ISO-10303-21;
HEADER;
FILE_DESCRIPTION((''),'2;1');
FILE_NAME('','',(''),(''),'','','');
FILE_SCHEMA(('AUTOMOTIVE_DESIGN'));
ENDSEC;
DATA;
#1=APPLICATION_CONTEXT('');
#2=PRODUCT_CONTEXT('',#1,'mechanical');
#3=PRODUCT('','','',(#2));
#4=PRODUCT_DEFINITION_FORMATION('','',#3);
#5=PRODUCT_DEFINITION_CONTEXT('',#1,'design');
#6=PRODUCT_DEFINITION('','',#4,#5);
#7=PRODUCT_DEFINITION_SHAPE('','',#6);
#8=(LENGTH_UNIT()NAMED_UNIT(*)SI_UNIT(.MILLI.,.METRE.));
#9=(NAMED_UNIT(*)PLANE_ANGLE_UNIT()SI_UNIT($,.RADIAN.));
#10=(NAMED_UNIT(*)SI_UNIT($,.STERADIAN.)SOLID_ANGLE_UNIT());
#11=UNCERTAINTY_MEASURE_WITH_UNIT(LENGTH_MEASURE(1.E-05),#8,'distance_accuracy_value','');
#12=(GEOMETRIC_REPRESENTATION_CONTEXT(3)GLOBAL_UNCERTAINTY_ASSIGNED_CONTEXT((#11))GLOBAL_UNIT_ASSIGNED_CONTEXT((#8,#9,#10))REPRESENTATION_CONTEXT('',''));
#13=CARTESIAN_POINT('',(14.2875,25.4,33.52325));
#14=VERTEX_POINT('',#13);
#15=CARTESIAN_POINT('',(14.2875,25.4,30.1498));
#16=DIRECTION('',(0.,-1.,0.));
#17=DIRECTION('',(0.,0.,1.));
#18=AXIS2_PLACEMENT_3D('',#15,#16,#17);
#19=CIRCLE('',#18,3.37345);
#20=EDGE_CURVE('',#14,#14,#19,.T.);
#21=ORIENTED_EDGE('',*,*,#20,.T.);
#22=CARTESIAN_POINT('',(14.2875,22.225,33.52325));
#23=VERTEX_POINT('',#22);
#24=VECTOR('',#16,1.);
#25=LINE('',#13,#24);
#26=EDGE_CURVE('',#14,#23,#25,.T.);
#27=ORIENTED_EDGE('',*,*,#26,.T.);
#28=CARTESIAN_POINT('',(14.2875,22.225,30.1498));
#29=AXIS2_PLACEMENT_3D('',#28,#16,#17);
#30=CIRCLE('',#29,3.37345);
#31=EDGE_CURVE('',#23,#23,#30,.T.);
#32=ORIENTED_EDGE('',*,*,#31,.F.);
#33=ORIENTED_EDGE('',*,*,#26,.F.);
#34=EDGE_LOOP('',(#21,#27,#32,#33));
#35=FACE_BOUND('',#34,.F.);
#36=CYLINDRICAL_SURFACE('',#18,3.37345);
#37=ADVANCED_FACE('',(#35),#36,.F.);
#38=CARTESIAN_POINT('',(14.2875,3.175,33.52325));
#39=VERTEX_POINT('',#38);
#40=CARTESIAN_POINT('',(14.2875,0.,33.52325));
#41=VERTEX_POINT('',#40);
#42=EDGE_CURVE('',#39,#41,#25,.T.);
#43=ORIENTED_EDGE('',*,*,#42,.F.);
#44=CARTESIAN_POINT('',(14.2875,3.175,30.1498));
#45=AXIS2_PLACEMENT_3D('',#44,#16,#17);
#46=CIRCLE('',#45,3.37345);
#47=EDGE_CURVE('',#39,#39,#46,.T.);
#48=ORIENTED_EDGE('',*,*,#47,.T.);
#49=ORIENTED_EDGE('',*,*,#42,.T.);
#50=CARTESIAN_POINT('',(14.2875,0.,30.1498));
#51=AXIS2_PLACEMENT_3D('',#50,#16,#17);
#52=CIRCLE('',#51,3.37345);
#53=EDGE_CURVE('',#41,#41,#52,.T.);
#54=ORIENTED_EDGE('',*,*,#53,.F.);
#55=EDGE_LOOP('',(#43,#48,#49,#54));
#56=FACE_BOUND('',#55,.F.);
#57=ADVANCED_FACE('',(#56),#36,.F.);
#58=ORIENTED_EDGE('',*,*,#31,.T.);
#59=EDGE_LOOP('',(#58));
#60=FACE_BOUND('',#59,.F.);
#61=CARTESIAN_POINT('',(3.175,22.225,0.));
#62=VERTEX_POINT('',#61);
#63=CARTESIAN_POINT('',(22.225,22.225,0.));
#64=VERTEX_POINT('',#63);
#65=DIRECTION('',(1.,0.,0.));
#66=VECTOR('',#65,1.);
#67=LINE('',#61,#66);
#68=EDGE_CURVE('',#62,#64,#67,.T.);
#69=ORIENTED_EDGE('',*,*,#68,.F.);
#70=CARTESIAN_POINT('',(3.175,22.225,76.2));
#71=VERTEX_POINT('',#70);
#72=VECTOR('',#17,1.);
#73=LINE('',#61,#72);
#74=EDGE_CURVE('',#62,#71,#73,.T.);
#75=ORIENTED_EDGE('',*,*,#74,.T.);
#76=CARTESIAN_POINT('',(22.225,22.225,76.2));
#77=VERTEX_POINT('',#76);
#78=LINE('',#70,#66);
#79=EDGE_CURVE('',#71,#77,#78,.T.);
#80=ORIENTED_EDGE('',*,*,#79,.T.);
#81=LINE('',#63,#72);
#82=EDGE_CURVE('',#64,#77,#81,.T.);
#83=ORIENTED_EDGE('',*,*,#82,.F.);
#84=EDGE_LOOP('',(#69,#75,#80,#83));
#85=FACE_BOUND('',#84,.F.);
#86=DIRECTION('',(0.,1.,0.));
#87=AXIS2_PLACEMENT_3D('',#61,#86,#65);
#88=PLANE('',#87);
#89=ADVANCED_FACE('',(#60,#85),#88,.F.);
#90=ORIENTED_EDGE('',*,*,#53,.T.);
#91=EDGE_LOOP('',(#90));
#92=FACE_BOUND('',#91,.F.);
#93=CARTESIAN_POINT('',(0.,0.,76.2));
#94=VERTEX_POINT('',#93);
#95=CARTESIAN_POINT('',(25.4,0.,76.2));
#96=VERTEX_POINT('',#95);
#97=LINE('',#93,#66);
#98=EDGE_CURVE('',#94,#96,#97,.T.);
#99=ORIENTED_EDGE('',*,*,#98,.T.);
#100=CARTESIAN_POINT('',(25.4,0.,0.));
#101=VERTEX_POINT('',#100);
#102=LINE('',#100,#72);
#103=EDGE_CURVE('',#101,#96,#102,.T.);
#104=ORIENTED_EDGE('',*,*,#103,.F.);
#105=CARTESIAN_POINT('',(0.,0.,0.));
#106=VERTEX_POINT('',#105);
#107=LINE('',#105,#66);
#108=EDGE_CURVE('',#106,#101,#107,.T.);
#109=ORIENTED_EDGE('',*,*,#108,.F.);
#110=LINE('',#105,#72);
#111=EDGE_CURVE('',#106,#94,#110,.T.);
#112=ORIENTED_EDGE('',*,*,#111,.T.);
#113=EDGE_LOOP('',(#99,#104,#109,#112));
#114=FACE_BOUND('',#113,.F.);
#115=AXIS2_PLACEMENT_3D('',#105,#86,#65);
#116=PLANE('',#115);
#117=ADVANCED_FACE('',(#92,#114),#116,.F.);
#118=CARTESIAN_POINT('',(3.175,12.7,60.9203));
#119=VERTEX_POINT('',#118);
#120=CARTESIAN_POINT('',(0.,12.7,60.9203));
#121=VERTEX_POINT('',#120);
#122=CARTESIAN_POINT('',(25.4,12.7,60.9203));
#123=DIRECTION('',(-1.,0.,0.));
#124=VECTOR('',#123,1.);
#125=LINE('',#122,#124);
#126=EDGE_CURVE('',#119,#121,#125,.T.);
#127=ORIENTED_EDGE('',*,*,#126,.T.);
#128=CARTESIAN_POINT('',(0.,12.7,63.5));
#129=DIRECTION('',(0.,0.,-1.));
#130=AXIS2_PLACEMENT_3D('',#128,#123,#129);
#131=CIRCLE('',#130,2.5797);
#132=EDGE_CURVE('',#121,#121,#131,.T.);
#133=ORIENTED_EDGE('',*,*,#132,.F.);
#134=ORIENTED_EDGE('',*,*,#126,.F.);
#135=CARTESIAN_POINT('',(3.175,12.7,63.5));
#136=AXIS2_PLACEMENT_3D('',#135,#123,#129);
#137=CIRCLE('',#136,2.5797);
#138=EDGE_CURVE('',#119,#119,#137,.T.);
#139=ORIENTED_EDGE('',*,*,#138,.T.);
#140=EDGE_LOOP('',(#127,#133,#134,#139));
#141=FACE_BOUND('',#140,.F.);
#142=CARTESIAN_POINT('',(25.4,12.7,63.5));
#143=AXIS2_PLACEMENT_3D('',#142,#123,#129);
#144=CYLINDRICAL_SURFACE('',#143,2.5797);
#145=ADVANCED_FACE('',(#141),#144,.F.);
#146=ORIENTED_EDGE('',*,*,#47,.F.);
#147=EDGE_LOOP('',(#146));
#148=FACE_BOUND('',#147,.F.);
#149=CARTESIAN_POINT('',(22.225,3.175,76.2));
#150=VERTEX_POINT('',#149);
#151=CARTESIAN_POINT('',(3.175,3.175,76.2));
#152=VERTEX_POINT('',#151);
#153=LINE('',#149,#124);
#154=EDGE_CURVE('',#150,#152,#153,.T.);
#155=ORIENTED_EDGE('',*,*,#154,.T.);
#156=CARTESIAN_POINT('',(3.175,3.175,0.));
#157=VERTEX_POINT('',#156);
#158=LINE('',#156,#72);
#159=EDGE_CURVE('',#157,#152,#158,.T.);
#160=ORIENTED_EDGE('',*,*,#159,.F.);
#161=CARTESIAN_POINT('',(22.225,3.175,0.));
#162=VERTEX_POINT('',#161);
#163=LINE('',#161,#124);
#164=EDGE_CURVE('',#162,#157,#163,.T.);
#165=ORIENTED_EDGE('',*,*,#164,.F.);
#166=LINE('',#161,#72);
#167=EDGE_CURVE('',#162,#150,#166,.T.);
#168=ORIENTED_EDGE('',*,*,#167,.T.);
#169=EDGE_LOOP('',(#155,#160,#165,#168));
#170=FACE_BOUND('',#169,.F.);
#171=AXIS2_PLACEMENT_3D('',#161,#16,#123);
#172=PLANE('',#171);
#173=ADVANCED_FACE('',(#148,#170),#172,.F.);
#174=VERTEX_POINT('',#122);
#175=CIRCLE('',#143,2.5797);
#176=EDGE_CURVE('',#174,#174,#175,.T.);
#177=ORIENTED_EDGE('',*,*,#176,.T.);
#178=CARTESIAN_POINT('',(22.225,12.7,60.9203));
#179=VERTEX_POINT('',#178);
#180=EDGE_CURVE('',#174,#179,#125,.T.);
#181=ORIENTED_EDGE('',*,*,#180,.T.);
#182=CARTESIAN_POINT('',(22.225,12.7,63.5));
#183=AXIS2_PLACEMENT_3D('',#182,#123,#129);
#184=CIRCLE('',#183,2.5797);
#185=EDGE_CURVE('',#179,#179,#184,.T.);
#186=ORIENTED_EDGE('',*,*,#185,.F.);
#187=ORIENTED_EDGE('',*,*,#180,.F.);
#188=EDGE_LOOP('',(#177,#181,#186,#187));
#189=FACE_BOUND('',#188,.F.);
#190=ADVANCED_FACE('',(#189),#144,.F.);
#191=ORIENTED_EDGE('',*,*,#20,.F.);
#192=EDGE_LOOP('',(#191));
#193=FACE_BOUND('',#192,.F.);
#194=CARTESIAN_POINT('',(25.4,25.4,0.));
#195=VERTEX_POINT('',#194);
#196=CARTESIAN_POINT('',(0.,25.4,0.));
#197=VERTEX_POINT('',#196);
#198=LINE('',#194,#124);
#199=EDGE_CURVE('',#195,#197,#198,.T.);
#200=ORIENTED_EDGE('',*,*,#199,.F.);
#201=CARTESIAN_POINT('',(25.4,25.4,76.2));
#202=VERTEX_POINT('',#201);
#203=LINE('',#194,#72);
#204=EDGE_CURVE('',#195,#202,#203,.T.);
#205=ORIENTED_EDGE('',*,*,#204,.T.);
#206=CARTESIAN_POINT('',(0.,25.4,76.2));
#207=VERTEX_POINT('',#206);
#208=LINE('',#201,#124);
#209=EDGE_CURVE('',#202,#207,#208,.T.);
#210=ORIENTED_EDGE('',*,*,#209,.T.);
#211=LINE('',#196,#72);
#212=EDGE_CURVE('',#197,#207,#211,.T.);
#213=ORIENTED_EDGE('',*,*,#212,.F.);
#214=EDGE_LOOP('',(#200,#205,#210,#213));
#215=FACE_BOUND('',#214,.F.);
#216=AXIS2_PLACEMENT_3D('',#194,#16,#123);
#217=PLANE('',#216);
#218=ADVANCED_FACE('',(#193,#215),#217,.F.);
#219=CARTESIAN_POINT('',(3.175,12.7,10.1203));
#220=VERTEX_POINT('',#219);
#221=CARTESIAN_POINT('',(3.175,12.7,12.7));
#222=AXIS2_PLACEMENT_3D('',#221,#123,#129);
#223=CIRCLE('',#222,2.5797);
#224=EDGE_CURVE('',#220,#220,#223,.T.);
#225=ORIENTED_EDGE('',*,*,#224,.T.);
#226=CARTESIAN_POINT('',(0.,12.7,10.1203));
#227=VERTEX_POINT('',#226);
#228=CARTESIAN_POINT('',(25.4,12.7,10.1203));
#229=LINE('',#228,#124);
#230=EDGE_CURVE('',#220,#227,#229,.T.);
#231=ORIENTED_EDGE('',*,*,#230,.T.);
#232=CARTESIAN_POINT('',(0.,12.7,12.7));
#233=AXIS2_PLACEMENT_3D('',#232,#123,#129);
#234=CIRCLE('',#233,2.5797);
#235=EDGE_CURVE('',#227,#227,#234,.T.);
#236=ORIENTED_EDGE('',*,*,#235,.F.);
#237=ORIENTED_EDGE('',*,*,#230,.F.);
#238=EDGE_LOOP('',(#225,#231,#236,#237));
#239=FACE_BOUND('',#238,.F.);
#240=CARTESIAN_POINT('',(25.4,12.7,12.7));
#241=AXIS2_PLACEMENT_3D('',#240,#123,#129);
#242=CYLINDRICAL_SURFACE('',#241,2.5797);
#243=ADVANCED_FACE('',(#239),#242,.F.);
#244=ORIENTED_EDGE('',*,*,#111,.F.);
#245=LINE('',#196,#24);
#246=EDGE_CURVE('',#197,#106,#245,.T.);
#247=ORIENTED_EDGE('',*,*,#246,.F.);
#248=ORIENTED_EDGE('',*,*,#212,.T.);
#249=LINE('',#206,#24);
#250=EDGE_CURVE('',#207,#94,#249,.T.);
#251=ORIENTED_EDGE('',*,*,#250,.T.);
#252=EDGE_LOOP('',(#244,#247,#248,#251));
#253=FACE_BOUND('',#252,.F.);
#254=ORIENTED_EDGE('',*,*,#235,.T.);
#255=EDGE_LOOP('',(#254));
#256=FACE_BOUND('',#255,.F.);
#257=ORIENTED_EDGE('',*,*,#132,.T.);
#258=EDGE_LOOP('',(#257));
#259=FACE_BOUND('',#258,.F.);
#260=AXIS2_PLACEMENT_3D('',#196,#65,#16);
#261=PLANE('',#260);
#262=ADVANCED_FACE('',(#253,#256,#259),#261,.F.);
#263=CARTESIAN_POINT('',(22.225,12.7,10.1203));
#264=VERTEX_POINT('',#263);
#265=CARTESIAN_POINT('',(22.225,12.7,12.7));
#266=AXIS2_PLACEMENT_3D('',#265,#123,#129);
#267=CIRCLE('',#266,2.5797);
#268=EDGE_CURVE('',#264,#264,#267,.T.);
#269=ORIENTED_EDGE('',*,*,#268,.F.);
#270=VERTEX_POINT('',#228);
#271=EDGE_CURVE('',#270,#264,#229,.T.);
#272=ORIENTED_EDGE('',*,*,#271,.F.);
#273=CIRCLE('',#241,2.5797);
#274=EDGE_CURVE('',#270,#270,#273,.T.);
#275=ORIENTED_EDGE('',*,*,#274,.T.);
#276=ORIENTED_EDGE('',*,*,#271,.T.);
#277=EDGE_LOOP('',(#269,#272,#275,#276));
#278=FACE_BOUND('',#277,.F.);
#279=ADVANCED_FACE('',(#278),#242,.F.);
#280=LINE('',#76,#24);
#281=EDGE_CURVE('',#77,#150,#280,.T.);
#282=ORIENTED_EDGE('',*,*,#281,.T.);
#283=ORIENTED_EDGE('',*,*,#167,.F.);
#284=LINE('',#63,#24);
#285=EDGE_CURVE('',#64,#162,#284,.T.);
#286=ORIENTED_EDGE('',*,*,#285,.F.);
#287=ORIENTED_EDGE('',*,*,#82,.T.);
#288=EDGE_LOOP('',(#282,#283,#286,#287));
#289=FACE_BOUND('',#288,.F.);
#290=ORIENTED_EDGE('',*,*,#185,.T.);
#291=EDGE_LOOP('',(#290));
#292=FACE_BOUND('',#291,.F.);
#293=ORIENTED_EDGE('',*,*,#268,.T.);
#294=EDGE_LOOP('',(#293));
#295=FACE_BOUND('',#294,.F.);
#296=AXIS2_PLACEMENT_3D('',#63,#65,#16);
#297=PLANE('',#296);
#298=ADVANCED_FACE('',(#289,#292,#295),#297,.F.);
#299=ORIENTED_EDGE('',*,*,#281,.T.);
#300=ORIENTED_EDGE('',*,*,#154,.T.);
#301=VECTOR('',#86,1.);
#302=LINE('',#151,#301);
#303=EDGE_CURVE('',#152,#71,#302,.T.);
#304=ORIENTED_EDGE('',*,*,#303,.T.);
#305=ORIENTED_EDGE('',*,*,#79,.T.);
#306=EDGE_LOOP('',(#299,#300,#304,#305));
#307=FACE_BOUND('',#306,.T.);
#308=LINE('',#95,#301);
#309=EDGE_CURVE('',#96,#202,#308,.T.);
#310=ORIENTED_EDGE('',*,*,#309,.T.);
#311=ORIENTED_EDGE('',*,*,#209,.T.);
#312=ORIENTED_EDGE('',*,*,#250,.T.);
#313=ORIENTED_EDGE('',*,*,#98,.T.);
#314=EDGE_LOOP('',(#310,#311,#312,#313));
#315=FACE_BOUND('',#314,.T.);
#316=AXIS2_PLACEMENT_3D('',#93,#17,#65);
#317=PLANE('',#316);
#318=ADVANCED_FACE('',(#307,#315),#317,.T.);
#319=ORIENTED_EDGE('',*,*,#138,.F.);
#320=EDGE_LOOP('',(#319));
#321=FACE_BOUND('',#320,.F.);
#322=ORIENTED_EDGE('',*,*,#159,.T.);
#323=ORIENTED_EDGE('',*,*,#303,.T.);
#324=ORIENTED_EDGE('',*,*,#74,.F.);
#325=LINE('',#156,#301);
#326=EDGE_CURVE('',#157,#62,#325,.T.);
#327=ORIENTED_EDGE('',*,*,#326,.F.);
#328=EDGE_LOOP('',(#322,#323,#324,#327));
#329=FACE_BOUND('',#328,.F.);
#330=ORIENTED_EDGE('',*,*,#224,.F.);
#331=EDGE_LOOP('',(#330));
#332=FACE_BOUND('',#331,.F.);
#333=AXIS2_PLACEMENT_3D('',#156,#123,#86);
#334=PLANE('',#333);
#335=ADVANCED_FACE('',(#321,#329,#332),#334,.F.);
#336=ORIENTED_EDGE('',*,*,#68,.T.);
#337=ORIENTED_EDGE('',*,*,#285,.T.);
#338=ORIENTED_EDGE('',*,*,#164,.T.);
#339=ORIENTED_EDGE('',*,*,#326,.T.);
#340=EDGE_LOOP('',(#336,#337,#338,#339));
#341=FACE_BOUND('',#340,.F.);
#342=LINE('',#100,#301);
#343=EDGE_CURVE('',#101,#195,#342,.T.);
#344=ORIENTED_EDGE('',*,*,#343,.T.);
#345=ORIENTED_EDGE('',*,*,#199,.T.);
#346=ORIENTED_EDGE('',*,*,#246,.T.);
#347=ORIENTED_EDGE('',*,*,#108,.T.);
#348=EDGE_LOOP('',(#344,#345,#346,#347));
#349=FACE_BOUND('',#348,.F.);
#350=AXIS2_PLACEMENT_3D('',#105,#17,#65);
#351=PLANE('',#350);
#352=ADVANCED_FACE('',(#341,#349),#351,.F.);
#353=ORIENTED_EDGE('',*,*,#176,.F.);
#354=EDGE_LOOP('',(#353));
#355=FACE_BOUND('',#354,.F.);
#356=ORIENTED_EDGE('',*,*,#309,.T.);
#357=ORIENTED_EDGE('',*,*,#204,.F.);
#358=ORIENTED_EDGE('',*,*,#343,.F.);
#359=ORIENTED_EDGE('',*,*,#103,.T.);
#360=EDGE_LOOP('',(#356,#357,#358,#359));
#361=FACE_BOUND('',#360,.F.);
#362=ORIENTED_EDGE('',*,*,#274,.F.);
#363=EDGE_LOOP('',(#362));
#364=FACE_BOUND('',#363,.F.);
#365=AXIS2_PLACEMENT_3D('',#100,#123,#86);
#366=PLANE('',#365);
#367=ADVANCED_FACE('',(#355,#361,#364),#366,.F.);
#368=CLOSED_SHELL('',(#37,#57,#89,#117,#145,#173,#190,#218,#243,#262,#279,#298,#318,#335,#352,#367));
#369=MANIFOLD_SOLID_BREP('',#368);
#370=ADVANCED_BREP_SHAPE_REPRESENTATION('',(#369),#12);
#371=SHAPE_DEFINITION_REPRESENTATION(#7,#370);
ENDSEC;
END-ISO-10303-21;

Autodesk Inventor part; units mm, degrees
ref_plane "YZ Plane" through (0, 0, 0) normal (1, 0, 0) x (0, 1, 0)
ref_plane "XZ Plane" through (0, 0, 0) normal (0, 1, 0) x (-1, 0, 0)
ref_plane "XY Plane" through (0, 0, 0) normal (0, 0, 1) x (1, 0, 0)
sketch "Sketch1" plane through (0, 0, 0) normal (0, 0, 1) x (1, 0, 0)
  line L0 (0, 0) -> (25.4, 0)
  line L1 (25.4, 0) -> (25.4, 25.4)
  line L2 (25.4, 25.4) -> (0, 25.4)
  line L3 (0, 25.4) -> (0, 0)
  line L4 (3.175, 22.225) -> (22.225, 22.225)
  line L5 (22.225, 22.225) -> (22.225, 3.175)
  line L6 (22.225, 3.175) -> (3.175, 3.175)
  line L7 (3.175, 3.175) -> (3.175, 22.225)
  dimension "d0" = 25.4
  dimension "d1" = 25.4
  dimension "d2" = 3.175
extrude "Extrusion1" add sketch "Sketch1" along normal blind 76.2
sketch "Sketch2" plane through (25.4, 0, 0) normal (1, 0, 0) x (0, 0, -1)
  line L0 (0, 0) -> (0, 25.4) projected
  line L1 (-76.2, 0) -> (-76.2, 25.4) projected
  line L2 (0, 25.4) -> (-76.2, 25.4) projected
  point P0 (-63.5, 12.7)
  point P1 (-12.7, 12.7)
  dimension "d5" = 12.7
  dimension "d6" = 12.7
  dimension "d7" = 12.7
  dimension "d8" = 12.7
hole "Hole1" at (25.4, 12.7, 63.5) at (25.4, 12.7, 12.7) direction (-1, 0, 0) diameter 5.1594 end through all
sketch "Sketch3" plane through (0, 25.4, 0) normal (0, 1, 0) x (1, 0, 0)
  line L0 (25.4, -76.2) -> (0, -76.2) projected
  line L1 (25.4, 0) -> (25.4, -76.2) projected
  point P0 (0, 0)
  point P1 (14.2875, -30.1498)
  dimension "d16" = 46.0502
  dimension "d17" = 11.1125
hole "Hole2" at (14.2875, 25.4, 30.1498) direction (0, -1, 0) diameter 6.7469 end through all
properties part number "1512898-16-A-0901"
